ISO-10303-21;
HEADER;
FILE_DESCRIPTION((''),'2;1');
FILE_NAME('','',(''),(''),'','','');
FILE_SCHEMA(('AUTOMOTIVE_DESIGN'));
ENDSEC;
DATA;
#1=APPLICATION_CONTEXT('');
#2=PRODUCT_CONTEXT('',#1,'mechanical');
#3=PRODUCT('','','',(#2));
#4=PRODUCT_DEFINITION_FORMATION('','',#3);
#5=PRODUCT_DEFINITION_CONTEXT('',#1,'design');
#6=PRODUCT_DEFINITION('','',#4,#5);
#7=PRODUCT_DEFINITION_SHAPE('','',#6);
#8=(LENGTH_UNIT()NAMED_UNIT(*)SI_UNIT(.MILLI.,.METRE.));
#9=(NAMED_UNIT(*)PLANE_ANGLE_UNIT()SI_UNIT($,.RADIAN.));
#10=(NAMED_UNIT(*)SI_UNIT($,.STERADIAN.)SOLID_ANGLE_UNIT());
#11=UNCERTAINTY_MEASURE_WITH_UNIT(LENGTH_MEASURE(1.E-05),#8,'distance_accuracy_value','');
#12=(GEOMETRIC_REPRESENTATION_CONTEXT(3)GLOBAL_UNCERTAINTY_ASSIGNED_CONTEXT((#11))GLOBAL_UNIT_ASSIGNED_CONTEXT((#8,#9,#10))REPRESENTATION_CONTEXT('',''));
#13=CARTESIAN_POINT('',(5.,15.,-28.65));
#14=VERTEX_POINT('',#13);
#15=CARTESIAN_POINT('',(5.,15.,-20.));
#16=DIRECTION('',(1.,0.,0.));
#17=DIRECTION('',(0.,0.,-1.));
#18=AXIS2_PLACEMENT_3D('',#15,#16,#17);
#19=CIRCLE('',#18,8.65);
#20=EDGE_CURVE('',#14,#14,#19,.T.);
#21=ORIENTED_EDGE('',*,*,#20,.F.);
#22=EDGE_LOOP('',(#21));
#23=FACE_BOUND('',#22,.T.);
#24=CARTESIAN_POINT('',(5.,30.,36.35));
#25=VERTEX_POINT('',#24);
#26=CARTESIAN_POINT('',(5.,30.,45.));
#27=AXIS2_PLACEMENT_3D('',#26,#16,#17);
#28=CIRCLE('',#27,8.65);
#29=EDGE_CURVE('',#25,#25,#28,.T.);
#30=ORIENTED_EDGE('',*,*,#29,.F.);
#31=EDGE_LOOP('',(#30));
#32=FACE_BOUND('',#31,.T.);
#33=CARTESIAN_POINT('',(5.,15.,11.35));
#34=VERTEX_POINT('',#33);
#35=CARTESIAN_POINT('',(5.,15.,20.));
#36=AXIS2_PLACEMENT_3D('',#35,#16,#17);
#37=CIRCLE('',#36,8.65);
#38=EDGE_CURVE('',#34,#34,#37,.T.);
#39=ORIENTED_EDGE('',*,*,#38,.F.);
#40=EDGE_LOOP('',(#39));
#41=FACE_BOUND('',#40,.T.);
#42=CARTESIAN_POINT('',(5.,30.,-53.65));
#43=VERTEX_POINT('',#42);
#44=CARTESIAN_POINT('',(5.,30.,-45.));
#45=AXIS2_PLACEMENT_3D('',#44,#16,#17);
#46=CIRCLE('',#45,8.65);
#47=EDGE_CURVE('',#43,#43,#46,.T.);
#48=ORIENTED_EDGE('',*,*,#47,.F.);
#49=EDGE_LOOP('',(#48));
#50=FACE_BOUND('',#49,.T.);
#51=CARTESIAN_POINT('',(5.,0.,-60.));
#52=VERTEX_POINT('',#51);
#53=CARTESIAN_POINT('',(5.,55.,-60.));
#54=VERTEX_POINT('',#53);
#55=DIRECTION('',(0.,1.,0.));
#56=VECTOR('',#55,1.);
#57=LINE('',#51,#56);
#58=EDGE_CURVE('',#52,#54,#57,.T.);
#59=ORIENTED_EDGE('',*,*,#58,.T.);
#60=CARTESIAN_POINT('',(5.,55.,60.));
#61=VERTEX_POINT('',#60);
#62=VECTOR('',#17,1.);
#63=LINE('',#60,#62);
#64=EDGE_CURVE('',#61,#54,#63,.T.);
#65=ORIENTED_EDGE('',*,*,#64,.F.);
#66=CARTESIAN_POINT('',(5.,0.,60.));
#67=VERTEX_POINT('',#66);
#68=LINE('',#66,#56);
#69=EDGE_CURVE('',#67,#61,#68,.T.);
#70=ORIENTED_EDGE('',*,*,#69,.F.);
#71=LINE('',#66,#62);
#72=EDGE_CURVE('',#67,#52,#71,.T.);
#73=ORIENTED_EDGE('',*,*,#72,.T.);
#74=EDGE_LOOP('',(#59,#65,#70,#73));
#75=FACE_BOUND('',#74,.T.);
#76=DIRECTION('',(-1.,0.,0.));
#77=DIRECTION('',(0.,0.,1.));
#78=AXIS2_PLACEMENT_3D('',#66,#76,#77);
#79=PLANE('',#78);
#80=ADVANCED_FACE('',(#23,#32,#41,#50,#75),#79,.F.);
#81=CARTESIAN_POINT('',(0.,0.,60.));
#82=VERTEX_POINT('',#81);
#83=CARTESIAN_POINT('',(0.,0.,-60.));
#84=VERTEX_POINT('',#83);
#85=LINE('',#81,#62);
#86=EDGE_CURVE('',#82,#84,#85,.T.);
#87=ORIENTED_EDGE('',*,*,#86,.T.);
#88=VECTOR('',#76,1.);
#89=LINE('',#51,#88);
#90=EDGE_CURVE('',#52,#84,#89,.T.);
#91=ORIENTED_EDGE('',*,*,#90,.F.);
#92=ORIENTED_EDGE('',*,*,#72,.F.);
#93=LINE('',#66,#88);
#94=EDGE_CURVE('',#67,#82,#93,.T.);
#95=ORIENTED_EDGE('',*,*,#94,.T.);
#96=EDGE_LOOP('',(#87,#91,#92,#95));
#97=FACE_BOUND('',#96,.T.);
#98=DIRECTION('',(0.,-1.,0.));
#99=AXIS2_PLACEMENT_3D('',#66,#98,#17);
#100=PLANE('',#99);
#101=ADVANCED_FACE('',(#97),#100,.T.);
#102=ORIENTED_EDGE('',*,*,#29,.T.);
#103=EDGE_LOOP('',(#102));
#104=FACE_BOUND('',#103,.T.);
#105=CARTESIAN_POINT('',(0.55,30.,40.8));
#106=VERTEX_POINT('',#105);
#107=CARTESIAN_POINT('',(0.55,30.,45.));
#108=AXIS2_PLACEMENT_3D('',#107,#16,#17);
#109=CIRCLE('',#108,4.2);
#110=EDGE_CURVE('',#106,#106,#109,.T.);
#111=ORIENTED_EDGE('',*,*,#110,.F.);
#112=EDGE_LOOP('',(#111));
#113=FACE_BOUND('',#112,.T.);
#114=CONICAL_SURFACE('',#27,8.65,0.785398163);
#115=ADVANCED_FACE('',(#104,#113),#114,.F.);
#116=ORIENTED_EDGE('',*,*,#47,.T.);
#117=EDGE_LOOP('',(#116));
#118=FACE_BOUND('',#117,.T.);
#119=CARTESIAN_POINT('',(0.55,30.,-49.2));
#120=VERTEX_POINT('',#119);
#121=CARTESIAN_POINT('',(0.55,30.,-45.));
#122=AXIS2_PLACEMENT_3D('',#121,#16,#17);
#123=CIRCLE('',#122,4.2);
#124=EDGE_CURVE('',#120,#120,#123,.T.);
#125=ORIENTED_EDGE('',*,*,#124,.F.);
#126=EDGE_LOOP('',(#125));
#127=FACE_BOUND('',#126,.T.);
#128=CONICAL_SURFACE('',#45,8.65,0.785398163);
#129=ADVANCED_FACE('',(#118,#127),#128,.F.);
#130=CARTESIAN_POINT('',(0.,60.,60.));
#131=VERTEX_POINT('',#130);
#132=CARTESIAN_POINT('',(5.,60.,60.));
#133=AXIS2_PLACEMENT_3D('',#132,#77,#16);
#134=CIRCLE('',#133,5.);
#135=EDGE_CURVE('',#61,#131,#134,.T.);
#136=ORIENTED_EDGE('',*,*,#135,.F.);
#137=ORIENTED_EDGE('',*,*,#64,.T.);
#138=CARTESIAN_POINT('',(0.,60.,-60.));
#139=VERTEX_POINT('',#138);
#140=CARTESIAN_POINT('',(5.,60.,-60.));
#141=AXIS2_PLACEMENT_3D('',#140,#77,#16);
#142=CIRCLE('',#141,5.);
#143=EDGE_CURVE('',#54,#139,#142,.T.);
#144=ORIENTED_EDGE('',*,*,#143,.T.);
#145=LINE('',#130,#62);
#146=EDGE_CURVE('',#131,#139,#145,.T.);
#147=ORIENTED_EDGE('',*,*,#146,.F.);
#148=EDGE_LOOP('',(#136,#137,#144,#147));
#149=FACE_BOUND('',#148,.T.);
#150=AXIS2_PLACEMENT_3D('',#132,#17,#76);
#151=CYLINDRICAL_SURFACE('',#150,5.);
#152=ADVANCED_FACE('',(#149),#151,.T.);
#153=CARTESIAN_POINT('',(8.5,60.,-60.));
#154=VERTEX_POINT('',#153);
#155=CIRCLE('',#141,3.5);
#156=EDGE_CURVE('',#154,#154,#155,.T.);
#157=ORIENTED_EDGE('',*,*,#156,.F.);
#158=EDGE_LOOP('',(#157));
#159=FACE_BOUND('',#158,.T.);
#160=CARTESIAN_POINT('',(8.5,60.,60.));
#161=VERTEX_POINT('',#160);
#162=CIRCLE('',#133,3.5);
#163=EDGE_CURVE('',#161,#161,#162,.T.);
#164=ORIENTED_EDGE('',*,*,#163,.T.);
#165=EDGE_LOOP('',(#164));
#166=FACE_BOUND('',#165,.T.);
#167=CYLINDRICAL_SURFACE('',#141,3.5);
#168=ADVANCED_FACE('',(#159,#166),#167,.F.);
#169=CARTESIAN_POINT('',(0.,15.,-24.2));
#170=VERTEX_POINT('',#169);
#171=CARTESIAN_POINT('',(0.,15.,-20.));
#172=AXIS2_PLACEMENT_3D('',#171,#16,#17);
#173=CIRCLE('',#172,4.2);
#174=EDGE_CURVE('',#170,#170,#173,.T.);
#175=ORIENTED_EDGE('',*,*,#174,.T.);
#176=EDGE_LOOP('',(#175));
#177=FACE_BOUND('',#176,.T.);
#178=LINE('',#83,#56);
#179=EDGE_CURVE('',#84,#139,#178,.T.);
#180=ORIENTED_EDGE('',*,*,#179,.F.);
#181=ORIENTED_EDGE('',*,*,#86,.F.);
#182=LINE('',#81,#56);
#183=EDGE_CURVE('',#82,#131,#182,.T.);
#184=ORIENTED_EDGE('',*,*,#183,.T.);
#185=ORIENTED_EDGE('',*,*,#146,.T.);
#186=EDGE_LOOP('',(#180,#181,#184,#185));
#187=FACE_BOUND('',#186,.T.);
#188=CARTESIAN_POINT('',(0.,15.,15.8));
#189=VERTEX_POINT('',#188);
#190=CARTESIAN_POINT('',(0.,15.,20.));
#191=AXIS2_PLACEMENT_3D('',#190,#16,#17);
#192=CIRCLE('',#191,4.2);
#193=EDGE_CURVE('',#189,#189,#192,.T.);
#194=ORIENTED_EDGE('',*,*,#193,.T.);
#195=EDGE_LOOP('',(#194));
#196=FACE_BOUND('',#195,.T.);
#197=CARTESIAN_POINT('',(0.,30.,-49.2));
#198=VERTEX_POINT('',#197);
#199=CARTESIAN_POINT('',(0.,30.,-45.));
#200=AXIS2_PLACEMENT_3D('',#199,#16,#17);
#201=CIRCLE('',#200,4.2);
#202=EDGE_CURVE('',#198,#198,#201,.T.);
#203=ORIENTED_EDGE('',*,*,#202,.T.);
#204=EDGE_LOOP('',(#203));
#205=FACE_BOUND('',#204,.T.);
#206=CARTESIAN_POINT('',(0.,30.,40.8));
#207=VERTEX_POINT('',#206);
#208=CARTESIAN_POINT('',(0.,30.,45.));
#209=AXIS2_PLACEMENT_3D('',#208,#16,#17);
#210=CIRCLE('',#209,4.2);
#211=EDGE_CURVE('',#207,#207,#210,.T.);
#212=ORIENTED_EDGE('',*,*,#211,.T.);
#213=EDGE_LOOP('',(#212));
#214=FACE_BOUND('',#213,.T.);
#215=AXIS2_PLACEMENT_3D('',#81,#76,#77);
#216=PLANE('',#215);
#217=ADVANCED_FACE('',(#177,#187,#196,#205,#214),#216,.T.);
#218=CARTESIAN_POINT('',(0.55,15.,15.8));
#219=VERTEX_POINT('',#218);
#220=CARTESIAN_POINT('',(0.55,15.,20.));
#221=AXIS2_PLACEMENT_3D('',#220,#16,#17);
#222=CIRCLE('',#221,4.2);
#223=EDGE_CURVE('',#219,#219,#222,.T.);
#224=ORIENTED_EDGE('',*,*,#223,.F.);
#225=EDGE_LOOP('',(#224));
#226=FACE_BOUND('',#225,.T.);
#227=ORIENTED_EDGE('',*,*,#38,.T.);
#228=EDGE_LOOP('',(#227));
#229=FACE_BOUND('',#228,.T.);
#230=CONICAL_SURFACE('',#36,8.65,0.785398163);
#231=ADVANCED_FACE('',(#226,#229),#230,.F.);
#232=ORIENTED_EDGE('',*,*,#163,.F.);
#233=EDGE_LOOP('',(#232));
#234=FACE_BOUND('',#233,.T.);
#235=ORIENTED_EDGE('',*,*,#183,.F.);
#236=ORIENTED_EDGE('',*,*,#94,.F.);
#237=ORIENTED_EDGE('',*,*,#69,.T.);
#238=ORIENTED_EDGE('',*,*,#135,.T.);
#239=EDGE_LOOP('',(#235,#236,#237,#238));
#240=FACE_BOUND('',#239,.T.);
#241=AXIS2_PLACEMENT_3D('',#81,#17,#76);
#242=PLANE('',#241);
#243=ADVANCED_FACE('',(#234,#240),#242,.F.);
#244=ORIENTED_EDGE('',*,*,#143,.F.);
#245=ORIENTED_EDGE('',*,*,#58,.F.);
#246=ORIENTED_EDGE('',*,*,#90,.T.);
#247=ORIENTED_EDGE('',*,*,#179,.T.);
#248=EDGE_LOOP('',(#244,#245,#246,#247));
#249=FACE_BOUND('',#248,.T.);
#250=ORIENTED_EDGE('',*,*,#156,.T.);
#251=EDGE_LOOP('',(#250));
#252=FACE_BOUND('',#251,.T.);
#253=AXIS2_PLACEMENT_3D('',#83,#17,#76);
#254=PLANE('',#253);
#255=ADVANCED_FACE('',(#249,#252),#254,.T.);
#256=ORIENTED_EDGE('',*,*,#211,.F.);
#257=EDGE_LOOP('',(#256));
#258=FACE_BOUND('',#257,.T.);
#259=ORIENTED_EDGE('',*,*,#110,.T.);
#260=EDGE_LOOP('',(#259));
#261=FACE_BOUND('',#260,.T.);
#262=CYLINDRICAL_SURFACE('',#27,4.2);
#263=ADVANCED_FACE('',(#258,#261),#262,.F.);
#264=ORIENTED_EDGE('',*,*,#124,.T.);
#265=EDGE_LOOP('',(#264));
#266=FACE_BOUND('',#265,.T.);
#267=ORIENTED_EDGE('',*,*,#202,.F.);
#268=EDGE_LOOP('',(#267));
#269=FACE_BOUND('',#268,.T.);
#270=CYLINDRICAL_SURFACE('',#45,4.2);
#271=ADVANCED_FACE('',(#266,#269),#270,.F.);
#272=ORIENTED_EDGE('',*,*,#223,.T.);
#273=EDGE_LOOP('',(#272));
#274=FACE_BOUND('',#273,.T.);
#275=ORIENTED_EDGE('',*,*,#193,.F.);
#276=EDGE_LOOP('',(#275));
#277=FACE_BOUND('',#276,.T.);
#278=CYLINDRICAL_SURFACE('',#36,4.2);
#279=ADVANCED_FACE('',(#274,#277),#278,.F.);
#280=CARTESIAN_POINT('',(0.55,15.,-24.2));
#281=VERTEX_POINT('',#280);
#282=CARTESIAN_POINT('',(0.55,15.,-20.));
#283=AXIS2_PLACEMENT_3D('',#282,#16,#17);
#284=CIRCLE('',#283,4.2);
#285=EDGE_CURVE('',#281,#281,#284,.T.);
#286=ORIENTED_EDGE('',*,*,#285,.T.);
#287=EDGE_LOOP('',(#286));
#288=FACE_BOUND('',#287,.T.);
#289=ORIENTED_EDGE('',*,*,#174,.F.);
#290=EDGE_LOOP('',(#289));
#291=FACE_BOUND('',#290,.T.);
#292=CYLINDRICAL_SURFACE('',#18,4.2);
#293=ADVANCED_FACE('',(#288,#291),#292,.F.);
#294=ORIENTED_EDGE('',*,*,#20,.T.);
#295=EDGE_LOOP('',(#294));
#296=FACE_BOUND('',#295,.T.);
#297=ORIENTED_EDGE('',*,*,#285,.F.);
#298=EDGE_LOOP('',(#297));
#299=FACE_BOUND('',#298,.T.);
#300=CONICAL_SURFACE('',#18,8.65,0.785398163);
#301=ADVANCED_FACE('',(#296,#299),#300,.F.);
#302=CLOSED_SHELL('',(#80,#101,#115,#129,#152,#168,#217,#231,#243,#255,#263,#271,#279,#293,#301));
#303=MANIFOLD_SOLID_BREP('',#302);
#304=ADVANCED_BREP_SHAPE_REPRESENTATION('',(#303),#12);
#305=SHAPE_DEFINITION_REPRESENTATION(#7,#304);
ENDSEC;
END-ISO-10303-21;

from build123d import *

# Parameters (mm, degrees)
SKETCH2_W                                      = 5
SKETCH2_H                                      = 60
EXTRUDE_THIN1_DEPTH                            = 60
SKETCH3_R                                      = 5
SKETCH4_R                                      = 3.5
CUT_EXTRUDE1_DEPTH                             = 137.839321834
CSK_FOR_M8_FLAT_HEAD_MACHINE_SCREW1_AT_2_COUNT = 2
CSK_FOR_M8_FLAT_HEAD_MACHINE_SCREW1_AT_2_PITCH = 29.154759474


with BuildPart() as part:
    # Sketch2 → Extrude-Thin1 (new, symmetric)
    with BuildSketch(Plane.XY):
        with Locations((2.5, 30)):
            Rectangle(SKETCH2_W, SKETCH2_H)
    extrude(amount=EXTRUDE_THIN1_DEPTH, both=True)

    # Sweep1: sweep along a curve in space
    with BuildLine() as sweep1_path:
        Line((5, 60, 60), (5, 60, -60))
    # Sketch3 → Sweep1 (sweep)
    with BuildSketch(Plane.XY.offset(60)):
        with Locations((5, 60)):
            Circle(SKETCH3_R)
    sweep(path=sweep1_path.line)

    # Sketch4 → Cut-Extrude1 (cut, through all)
    with BuildSketch(Plane.XY.offset(60)):
        with Locations((5, 60)):
            Circle(SKETCH4_R)
    extrude(amount=-CUT_EXTRUDE1_DEPTH, mode=Mode.SUBTRACT)

    # Sketch6 → CSK for M8 Flat Head Machine Screw1 (revolve, cut)
    with BuildSketch(Plane(origin=(5, 15, 20), x_dir=(0, 0, -1), z_dir=(0, 1, 0))):
        Polygon((0, 0), (0, 5), (4.2, 5), (4.2, 4.45), (8.65, 0), align=None)
    csk_for_m8_flat_head_machine_screw1 = revolve(axis=Axis((11.35, 15, 20), (-1, 0, 0)), mode=Mode.SUBTRACT)

    # CSK for M8 Flat Head Machine Screw1 at 2: CSK for M8 Flat Head Machine Screw1 ×2
    with Locations(*[Vector(0, 0.5144957554275265, 0.8574929257125442) * (i * CSK_FOR_M8_FLAT_HEAD_MACHINE_SCREW1_AT_2_PITCH) for i in range(1, CSK_FOR_M8_FLAT_HEAD_MACHINE_SCREW1_AT_2_COUNT)]):
        add(csk_for_m8_flat_head_machine_screw1, mode=Mode.SUBTRACT)

    # Mirror1: CSK for M8 Flat Head Machine Screw1 across plane
    add(csk_for_m8_flat_head_machine_screw1.mirror(Plane.XY), mode=Mode.SUBTRACT)

    # Mirror1 copy 1 sketch → Mirror1 copy 1 (revolve, cut)
    with BuildSketch(Plane(origin=(5, 30, -45), x_dir=(0, 0, 1), z_dir=(0, 1, 0))):
        Polygon((0, 0), (0, -5), (4.2, -5), (4.2, -4.45), (8.65, 0), align=None)
    revolve(axis=Axis((11.35, 30, -45), (1, 0, 0)), mode=Mode.SUBTRACT)


solid = part.part
